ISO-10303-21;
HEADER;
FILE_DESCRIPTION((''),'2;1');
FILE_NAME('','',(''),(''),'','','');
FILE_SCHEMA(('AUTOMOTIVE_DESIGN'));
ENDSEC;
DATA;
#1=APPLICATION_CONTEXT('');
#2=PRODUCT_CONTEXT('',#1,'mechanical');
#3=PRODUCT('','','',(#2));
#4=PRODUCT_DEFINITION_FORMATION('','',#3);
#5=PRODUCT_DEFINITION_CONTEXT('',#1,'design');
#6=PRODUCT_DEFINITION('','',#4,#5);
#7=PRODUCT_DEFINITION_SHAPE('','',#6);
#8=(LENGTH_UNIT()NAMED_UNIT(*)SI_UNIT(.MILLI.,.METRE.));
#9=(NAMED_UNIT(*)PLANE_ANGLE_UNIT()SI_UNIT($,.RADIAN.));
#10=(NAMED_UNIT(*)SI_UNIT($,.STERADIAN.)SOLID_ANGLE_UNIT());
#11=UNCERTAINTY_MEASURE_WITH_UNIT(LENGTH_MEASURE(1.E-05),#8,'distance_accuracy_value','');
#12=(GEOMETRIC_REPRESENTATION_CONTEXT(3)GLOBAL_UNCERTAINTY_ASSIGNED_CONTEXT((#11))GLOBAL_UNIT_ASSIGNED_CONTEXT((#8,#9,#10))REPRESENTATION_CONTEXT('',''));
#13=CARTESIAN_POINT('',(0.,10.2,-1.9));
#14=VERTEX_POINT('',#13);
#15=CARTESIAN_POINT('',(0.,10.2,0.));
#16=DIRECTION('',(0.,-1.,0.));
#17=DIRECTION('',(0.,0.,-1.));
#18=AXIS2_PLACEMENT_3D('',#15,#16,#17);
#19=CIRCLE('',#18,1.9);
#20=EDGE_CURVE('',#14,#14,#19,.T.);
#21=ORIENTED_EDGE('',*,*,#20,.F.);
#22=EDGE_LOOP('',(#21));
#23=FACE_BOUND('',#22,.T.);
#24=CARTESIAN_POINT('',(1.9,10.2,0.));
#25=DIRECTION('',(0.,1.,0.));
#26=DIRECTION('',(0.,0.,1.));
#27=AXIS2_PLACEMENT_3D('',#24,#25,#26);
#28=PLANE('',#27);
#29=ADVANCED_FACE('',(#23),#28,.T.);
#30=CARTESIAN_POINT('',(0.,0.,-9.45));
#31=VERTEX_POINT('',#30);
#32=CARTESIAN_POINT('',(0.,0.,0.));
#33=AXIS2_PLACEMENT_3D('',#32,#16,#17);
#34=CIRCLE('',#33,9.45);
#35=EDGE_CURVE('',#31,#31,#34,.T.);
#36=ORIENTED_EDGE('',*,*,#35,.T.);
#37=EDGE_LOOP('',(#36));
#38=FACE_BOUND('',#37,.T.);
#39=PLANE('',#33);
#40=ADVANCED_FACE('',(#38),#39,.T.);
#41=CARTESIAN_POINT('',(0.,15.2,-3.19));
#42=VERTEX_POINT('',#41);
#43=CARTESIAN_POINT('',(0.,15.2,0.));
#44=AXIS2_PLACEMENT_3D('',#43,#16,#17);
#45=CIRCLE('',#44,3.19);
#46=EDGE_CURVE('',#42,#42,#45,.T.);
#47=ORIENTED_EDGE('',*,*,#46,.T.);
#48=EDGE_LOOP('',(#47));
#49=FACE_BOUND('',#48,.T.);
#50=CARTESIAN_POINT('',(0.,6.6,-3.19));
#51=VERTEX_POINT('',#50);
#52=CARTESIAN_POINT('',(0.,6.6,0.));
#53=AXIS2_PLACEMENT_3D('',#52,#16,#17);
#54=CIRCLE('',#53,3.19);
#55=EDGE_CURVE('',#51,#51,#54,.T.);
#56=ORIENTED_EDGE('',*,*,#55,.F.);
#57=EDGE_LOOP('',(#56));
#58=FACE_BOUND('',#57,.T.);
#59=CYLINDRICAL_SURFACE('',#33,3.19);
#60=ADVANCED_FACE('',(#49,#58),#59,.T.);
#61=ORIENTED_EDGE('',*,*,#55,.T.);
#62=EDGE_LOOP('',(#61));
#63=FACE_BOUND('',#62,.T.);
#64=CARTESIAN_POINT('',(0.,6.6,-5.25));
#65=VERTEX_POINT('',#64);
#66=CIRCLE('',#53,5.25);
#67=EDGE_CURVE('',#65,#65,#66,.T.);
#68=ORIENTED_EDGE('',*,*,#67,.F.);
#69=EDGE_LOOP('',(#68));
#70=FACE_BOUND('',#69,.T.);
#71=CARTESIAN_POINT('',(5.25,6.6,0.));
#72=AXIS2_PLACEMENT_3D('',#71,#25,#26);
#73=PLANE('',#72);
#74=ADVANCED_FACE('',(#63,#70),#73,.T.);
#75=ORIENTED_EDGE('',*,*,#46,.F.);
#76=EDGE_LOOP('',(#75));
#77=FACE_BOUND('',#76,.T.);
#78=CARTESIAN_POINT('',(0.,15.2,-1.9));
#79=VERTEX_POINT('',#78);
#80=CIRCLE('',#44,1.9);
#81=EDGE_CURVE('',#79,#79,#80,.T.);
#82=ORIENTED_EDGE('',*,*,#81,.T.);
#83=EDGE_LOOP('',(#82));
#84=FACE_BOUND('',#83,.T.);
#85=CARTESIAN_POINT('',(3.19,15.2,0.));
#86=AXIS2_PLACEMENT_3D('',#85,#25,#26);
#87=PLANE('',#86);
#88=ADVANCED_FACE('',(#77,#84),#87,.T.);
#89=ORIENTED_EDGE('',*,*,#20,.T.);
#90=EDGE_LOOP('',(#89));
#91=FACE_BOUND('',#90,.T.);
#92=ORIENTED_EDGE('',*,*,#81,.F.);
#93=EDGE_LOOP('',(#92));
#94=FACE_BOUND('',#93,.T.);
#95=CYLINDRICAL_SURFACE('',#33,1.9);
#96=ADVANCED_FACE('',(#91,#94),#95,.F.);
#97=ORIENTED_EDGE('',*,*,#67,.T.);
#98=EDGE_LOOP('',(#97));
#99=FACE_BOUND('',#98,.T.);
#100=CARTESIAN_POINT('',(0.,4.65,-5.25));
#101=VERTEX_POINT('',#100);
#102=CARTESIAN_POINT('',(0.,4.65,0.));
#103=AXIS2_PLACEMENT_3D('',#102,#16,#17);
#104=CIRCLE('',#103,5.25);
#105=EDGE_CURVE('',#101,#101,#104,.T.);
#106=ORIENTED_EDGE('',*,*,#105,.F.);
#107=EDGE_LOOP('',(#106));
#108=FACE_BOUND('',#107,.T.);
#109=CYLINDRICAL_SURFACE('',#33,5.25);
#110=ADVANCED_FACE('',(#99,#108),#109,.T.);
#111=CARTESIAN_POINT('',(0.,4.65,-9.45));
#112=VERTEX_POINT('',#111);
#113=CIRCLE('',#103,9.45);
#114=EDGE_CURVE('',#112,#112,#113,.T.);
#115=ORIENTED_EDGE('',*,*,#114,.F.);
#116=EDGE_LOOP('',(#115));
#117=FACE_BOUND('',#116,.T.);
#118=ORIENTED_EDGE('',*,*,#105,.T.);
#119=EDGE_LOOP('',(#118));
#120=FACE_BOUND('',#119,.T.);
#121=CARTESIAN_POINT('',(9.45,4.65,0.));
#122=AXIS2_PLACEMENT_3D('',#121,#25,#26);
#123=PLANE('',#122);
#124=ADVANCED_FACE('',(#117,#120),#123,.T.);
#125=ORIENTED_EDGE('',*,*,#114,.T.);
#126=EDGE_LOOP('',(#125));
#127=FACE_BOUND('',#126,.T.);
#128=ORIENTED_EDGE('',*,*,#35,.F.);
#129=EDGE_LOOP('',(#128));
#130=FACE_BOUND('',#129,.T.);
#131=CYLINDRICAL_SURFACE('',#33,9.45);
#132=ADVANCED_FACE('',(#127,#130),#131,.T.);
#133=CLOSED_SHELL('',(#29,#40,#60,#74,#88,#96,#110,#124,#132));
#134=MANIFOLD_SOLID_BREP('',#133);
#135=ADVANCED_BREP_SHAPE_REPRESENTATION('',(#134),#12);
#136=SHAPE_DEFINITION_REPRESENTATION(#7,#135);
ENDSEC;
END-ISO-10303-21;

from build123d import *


with BuildPart() as part:
    # Sketch1 → Revolve1 (revolve)
    with BuildSketch(Plane.XY):
        Polygon((0, 0), (9.45, 0), (9.45, 4.65), (5.25, 4.65), (5.25, 6.6), (3.19, 6.6), (3.19, 15.2), (1.9, 15.2), (1.9, 10.2), (0, 10.2), align=None)
    revolve(axis=Axis((0, 0, 0), (0, 1, 0)))


solid = part.part
